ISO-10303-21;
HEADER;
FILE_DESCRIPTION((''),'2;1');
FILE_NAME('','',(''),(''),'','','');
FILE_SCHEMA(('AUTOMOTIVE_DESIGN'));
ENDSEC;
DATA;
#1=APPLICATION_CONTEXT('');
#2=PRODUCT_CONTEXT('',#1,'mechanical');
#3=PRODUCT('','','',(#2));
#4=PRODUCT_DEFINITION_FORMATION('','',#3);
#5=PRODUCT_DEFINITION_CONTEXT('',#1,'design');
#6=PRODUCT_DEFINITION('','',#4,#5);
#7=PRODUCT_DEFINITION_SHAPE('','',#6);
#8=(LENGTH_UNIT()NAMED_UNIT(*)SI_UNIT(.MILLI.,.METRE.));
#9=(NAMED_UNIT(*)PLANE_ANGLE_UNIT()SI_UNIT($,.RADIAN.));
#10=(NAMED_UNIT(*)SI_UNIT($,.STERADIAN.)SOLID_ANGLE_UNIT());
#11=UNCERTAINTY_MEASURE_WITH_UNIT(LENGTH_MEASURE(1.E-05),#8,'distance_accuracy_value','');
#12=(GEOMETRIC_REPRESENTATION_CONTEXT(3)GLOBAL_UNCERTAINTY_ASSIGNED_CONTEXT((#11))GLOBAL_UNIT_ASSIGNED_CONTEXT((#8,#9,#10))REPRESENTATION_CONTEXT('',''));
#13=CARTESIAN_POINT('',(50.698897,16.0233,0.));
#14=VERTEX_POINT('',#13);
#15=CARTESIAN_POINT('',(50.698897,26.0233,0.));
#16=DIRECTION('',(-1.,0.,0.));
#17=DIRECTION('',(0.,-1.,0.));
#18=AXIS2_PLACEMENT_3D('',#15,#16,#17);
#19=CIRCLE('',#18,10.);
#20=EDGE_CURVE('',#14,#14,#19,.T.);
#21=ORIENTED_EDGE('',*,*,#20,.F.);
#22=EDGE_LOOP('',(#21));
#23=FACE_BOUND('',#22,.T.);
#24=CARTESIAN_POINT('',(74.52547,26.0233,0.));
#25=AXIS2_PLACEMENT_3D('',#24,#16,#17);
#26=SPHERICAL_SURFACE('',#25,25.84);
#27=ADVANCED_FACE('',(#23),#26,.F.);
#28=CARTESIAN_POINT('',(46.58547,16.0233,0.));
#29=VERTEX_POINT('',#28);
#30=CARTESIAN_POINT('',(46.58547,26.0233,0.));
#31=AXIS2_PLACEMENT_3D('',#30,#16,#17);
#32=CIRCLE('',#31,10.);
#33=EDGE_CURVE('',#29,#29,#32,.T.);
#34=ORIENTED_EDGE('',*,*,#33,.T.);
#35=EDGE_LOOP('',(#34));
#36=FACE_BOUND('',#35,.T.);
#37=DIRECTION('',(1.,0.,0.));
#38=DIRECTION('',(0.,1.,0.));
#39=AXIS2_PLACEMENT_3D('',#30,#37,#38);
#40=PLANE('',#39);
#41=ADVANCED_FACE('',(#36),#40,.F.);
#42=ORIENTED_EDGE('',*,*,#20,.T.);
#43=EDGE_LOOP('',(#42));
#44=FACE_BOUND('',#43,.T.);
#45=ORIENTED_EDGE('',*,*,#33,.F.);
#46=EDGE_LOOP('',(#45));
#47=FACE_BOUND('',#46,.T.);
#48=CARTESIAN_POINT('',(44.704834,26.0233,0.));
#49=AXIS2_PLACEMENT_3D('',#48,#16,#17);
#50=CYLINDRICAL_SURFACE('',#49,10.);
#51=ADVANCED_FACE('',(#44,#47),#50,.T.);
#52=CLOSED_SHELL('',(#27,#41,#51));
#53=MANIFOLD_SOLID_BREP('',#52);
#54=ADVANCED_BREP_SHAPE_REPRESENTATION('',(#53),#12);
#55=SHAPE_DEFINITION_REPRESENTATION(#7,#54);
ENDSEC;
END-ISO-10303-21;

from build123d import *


with BuildPart() as part:
    # 草图1 → 旋转1 (revolve)
    with BuildSketch(Plane.XY, mode=Mode.PRIVATE) as revolve_1_sk:
        with BuildLine():
            Line((46.585470099, 26.023299941), (46.585470099, 36.023299941))
            Line((46.585470099, 36.023299941), (50.698896699, 36.023299941))
            ThreePointArc((50.698896699, 36.023299941), (49.193827272, 31.123640289), (48.685470099, 26.023299941))
            Line((48.685470099, 26.023299941), (46.585470099, 26.023299941))
        make_face()
    revolve(revolve_1_sk.sketch.rotate(Axis((44.704833672, 26.023299941, 0), (1, 0, 0)), 180), axis=Axis((44.704833672, 26.023299941, 0), (1, 0, 0)))  # turned: the seam where the file's is


solid = part.part
